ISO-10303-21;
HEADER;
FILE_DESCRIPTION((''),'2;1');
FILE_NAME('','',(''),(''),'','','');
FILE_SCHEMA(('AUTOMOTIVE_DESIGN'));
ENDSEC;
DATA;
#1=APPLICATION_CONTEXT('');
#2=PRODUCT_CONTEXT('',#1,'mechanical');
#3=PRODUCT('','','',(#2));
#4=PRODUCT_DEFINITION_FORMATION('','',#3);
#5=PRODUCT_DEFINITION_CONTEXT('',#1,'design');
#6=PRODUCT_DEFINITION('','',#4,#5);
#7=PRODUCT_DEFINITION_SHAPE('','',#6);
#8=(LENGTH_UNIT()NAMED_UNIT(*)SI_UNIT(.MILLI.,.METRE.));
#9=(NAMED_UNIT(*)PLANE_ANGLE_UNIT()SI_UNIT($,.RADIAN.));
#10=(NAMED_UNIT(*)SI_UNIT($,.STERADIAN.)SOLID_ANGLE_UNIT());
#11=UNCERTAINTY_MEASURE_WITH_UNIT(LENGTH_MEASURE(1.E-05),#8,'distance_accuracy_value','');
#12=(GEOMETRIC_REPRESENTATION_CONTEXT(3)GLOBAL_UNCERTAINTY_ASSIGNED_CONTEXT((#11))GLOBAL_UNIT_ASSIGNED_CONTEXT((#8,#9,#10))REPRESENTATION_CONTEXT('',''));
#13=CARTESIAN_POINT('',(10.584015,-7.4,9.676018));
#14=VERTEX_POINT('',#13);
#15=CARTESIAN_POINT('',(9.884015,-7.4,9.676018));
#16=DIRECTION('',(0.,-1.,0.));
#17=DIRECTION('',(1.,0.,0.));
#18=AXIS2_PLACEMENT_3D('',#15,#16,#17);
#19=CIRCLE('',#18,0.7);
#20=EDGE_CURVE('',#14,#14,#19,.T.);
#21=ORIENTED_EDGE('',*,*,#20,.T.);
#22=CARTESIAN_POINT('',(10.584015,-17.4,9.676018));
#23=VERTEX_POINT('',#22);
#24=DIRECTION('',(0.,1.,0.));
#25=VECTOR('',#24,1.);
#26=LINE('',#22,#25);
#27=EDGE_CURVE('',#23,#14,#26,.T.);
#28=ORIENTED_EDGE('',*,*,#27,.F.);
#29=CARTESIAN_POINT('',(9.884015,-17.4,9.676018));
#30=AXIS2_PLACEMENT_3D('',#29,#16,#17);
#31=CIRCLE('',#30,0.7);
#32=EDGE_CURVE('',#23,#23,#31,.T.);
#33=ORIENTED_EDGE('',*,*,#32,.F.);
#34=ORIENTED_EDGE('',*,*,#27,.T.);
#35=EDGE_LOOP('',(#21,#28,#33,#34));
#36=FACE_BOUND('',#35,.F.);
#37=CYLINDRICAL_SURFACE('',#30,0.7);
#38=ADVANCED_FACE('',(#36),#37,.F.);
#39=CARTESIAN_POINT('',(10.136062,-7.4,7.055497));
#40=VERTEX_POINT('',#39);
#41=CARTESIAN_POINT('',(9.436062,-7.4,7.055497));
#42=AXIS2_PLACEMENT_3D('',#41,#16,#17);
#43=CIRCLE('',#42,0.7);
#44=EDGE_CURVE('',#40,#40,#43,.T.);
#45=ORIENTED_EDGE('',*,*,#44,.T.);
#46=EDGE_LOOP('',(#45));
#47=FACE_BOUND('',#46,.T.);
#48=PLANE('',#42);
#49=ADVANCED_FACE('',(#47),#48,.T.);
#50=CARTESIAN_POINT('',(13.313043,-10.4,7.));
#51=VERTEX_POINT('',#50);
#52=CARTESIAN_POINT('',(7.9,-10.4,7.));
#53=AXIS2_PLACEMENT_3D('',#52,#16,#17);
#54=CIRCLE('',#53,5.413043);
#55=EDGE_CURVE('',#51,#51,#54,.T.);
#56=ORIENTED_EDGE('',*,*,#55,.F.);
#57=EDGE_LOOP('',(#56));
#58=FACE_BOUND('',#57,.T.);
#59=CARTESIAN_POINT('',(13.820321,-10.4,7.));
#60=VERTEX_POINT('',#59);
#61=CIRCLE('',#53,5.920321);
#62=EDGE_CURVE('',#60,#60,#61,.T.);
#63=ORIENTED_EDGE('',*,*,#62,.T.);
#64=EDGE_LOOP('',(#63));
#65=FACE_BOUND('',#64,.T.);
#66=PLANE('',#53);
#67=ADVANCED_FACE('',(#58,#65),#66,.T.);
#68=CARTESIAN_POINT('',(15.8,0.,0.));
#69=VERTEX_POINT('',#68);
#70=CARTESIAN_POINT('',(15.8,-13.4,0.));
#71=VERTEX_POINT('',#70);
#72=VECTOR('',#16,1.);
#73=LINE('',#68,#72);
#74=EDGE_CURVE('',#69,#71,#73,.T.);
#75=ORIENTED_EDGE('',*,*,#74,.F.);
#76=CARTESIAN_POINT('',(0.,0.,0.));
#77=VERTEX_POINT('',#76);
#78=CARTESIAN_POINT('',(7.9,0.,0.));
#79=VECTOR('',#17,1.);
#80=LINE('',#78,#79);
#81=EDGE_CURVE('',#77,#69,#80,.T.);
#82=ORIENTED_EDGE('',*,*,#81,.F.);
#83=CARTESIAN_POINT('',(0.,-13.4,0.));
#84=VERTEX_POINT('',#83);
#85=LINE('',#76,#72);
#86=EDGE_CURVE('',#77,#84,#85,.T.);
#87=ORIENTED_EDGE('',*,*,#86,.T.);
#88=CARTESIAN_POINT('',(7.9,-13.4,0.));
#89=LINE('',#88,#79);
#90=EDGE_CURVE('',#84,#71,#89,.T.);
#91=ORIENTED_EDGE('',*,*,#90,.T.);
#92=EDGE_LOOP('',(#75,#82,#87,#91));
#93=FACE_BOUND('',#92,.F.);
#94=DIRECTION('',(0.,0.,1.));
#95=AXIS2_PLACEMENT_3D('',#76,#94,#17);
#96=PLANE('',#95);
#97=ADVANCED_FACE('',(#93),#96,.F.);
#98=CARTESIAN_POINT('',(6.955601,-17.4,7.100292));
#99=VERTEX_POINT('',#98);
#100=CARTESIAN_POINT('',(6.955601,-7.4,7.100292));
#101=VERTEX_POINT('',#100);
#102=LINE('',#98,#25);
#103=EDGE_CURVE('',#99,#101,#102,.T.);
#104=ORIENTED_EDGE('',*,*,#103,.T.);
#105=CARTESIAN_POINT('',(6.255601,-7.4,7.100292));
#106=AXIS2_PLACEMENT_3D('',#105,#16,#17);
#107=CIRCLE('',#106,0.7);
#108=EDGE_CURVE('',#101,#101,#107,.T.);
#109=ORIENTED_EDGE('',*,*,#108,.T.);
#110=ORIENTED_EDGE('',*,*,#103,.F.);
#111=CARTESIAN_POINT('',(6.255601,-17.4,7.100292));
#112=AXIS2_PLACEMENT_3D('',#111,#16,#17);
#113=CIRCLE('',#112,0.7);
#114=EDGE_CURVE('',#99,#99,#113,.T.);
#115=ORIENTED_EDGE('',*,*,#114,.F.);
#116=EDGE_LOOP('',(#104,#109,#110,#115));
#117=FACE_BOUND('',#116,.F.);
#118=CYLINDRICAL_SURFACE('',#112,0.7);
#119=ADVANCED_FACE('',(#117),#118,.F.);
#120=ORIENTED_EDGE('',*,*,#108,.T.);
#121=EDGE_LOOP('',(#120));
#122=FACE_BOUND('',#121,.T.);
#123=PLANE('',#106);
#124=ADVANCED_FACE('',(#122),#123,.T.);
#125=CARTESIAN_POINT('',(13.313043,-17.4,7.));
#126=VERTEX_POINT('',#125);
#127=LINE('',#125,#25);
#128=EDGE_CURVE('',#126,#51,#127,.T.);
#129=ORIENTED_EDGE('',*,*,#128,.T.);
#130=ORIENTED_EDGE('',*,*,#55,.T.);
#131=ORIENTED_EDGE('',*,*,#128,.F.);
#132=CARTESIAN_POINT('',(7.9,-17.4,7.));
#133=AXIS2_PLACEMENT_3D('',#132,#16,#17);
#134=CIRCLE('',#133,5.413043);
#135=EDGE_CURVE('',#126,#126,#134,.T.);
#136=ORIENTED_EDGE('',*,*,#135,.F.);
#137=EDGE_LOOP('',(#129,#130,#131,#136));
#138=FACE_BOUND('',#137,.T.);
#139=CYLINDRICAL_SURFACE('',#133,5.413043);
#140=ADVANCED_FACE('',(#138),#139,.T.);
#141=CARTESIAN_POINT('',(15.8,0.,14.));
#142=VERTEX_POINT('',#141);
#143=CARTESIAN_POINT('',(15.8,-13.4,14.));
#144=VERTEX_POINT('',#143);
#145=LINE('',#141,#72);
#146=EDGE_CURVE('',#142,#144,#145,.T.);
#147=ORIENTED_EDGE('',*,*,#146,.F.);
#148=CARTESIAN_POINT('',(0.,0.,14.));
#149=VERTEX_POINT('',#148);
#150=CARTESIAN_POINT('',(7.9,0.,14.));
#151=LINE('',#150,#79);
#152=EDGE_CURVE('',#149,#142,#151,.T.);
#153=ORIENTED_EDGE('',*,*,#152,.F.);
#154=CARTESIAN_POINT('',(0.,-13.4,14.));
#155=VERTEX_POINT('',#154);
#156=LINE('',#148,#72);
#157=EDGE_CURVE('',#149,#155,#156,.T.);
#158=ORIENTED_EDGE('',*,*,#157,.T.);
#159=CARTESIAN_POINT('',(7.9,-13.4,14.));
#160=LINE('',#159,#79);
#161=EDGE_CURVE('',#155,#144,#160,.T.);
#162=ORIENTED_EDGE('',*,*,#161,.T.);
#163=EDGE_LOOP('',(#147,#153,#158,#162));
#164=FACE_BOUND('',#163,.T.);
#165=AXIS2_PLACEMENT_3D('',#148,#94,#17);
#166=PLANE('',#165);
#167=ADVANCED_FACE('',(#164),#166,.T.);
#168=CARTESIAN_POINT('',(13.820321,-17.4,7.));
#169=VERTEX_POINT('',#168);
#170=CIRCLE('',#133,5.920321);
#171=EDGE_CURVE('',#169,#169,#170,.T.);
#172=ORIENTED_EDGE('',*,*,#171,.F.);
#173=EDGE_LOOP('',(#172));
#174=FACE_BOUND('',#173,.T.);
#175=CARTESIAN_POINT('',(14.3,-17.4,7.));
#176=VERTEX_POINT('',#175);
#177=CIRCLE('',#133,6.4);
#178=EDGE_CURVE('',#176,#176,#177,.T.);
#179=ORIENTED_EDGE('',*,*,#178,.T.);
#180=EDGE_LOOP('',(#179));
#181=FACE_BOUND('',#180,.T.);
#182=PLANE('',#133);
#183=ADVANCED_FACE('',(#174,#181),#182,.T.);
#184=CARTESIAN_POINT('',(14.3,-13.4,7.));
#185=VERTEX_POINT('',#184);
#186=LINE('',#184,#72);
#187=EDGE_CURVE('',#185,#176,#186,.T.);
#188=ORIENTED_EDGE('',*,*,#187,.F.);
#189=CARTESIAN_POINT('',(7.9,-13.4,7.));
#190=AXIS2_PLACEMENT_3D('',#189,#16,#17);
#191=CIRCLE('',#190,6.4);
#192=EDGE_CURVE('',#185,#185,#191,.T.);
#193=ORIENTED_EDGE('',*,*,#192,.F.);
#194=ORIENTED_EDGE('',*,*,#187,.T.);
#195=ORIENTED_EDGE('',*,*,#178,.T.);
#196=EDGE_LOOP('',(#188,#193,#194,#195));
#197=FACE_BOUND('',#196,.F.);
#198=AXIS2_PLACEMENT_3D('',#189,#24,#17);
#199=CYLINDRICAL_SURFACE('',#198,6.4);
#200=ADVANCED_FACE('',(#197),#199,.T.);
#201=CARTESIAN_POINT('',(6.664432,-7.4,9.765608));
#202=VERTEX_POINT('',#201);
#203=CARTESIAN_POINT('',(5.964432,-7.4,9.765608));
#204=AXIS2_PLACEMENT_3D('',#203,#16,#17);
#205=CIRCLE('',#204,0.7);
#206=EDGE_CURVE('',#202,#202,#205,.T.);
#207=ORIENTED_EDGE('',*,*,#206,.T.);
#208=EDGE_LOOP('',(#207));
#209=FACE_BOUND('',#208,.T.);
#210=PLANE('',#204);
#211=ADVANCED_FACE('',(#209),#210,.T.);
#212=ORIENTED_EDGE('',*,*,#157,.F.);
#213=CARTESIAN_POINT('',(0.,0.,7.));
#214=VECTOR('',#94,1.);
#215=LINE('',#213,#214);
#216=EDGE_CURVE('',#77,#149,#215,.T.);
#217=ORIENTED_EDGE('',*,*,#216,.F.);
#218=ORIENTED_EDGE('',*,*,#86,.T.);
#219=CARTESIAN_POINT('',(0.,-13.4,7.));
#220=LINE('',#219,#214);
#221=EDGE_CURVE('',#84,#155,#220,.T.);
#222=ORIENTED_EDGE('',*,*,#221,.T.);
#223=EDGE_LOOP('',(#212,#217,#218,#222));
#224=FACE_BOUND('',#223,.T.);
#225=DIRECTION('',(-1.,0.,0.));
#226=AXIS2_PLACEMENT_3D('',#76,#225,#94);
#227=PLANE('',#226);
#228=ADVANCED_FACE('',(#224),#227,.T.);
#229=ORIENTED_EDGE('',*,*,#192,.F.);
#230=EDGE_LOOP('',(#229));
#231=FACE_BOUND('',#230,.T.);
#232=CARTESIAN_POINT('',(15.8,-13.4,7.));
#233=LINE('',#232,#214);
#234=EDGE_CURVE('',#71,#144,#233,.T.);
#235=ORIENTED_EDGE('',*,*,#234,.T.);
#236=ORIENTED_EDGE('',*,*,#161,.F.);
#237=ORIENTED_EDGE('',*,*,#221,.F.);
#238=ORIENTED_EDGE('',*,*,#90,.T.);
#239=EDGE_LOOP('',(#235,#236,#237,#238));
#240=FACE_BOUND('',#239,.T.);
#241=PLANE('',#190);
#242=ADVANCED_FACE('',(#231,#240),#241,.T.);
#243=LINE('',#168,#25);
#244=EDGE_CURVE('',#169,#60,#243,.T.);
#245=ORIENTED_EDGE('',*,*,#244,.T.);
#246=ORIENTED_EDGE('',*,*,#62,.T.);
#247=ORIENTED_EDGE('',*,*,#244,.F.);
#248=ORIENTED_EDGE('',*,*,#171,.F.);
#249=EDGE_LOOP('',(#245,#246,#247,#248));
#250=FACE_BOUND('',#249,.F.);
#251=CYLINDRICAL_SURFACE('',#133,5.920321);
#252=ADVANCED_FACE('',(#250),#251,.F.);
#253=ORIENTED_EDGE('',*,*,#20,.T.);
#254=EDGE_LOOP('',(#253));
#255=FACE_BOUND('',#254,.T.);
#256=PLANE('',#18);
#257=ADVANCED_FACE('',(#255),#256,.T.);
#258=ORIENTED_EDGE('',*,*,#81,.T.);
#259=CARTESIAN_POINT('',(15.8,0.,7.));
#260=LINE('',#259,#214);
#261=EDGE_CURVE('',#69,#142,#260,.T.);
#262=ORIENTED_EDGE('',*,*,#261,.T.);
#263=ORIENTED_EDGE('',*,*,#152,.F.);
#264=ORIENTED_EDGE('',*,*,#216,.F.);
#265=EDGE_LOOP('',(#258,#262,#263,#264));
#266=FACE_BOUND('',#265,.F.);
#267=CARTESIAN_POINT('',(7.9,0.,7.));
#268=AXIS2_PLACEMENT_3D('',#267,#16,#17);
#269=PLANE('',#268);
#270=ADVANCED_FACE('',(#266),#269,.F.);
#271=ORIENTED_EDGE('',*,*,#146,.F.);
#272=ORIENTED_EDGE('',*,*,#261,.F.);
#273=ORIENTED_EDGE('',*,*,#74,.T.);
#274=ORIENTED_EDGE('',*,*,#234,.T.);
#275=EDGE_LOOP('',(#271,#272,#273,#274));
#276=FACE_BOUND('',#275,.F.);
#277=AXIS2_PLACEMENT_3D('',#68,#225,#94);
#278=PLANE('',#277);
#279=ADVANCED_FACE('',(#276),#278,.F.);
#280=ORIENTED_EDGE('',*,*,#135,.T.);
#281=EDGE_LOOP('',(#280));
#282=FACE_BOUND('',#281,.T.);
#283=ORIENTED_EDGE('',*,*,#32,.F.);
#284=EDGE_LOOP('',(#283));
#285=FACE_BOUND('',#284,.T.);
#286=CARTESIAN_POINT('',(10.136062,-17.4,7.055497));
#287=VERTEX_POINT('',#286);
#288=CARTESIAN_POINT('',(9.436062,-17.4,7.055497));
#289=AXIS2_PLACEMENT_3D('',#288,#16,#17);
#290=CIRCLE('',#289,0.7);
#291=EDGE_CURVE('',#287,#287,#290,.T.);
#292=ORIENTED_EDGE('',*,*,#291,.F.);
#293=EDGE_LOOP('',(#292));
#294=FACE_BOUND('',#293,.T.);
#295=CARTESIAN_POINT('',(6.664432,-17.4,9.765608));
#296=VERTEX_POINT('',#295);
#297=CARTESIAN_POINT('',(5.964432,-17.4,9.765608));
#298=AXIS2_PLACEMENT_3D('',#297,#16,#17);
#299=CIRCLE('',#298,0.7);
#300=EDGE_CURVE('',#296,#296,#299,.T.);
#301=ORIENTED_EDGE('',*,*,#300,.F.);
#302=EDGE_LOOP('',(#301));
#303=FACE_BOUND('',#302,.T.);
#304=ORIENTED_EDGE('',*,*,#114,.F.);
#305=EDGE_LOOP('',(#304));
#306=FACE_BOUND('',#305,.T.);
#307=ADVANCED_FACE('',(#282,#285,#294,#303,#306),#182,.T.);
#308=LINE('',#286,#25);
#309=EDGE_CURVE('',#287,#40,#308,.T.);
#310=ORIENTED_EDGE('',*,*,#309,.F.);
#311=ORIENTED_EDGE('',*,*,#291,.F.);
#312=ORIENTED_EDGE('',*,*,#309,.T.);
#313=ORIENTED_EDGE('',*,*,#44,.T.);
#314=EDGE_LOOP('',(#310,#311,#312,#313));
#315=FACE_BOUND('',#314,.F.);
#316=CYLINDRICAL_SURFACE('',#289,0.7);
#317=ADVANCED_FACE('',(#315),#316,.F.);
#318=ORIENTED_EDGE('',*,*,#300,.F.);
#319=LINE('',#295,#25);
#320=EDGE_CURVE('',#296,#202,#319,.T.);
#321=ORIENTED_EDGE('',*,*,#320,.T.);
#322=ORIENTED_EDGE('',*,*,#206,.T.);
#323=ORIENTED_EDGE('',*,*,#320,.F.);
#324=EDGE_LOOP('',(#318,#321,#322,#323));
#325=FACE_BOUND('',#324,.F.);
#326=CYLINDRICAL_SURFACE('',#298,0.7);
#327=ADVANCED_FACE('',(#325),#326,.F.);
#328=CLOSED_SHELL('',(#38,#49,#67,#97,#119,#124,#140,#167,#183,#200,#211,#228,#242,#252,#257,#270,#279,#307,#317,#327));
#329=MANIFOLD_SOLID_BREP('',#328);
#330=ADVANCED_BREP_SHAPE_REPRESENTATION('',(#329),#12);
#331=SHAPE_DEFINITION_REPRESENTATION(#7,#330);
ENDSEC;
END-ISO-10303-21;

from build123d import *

# Parameters (mm, degrees)
F0_W     = 15.8
F0_H     = 14
F1_DEPTH = 13.4
F2_R     = 6.4
F3_DEPTH = 4
F4_R     = 5.920321
F4_R_2   = 5.413043
F5_DEPTH = 7
F6_R     = 0.7
F7_DEPTH = 10


with BuildPart() as f1:
    # F0 (on Front) → F1 (new body)
    with BuildSketch(Plane.XZ):
        with Locations((7.9, 7)):
            Rectangle(F0_W, F0_H)
    extrude(amount=F1_DEPTH)

    # F2 (on face) → F3 (join)
    with BuildSketch(Plane.XZ.offset(13.4)):
        with Locations((7.9, 7)):
            Circle(F2_R)
    extrude(amount=F3_DEPTH)

    # F4 (on face) → F5 (cut)
    with BuildSketch(Plane.XZ.offset(17.4)):
        with Locations((7.9, 7)):
            Circle(F4_R)
        with Locations((7.9, 7)):
            Circle(F4_R_2, mode=Mode.SUBTRACT)
    extrude(amount=-F5_DEPTH, mode=Mode.SUBTRACT)

    # F6 (on face) → F7 (cut)
    with BuildSketch(Plane.XZ.offset(17.4)):
        with Locations((5.964432, 9.765608)):
            Circle(F6_R)
        with Locations((9.884015, 9.676018)):
            Circle(F6_R)
        with Locations((6.255601, 7.100292)):
            Circle(F6_R)
        with Locations((9.436062, 7.055497)):
            Circle(F6_R)
    extrude(amount=-F7_DEPTH, mode=Mode.SUBTRACT)


solid = f1.part
